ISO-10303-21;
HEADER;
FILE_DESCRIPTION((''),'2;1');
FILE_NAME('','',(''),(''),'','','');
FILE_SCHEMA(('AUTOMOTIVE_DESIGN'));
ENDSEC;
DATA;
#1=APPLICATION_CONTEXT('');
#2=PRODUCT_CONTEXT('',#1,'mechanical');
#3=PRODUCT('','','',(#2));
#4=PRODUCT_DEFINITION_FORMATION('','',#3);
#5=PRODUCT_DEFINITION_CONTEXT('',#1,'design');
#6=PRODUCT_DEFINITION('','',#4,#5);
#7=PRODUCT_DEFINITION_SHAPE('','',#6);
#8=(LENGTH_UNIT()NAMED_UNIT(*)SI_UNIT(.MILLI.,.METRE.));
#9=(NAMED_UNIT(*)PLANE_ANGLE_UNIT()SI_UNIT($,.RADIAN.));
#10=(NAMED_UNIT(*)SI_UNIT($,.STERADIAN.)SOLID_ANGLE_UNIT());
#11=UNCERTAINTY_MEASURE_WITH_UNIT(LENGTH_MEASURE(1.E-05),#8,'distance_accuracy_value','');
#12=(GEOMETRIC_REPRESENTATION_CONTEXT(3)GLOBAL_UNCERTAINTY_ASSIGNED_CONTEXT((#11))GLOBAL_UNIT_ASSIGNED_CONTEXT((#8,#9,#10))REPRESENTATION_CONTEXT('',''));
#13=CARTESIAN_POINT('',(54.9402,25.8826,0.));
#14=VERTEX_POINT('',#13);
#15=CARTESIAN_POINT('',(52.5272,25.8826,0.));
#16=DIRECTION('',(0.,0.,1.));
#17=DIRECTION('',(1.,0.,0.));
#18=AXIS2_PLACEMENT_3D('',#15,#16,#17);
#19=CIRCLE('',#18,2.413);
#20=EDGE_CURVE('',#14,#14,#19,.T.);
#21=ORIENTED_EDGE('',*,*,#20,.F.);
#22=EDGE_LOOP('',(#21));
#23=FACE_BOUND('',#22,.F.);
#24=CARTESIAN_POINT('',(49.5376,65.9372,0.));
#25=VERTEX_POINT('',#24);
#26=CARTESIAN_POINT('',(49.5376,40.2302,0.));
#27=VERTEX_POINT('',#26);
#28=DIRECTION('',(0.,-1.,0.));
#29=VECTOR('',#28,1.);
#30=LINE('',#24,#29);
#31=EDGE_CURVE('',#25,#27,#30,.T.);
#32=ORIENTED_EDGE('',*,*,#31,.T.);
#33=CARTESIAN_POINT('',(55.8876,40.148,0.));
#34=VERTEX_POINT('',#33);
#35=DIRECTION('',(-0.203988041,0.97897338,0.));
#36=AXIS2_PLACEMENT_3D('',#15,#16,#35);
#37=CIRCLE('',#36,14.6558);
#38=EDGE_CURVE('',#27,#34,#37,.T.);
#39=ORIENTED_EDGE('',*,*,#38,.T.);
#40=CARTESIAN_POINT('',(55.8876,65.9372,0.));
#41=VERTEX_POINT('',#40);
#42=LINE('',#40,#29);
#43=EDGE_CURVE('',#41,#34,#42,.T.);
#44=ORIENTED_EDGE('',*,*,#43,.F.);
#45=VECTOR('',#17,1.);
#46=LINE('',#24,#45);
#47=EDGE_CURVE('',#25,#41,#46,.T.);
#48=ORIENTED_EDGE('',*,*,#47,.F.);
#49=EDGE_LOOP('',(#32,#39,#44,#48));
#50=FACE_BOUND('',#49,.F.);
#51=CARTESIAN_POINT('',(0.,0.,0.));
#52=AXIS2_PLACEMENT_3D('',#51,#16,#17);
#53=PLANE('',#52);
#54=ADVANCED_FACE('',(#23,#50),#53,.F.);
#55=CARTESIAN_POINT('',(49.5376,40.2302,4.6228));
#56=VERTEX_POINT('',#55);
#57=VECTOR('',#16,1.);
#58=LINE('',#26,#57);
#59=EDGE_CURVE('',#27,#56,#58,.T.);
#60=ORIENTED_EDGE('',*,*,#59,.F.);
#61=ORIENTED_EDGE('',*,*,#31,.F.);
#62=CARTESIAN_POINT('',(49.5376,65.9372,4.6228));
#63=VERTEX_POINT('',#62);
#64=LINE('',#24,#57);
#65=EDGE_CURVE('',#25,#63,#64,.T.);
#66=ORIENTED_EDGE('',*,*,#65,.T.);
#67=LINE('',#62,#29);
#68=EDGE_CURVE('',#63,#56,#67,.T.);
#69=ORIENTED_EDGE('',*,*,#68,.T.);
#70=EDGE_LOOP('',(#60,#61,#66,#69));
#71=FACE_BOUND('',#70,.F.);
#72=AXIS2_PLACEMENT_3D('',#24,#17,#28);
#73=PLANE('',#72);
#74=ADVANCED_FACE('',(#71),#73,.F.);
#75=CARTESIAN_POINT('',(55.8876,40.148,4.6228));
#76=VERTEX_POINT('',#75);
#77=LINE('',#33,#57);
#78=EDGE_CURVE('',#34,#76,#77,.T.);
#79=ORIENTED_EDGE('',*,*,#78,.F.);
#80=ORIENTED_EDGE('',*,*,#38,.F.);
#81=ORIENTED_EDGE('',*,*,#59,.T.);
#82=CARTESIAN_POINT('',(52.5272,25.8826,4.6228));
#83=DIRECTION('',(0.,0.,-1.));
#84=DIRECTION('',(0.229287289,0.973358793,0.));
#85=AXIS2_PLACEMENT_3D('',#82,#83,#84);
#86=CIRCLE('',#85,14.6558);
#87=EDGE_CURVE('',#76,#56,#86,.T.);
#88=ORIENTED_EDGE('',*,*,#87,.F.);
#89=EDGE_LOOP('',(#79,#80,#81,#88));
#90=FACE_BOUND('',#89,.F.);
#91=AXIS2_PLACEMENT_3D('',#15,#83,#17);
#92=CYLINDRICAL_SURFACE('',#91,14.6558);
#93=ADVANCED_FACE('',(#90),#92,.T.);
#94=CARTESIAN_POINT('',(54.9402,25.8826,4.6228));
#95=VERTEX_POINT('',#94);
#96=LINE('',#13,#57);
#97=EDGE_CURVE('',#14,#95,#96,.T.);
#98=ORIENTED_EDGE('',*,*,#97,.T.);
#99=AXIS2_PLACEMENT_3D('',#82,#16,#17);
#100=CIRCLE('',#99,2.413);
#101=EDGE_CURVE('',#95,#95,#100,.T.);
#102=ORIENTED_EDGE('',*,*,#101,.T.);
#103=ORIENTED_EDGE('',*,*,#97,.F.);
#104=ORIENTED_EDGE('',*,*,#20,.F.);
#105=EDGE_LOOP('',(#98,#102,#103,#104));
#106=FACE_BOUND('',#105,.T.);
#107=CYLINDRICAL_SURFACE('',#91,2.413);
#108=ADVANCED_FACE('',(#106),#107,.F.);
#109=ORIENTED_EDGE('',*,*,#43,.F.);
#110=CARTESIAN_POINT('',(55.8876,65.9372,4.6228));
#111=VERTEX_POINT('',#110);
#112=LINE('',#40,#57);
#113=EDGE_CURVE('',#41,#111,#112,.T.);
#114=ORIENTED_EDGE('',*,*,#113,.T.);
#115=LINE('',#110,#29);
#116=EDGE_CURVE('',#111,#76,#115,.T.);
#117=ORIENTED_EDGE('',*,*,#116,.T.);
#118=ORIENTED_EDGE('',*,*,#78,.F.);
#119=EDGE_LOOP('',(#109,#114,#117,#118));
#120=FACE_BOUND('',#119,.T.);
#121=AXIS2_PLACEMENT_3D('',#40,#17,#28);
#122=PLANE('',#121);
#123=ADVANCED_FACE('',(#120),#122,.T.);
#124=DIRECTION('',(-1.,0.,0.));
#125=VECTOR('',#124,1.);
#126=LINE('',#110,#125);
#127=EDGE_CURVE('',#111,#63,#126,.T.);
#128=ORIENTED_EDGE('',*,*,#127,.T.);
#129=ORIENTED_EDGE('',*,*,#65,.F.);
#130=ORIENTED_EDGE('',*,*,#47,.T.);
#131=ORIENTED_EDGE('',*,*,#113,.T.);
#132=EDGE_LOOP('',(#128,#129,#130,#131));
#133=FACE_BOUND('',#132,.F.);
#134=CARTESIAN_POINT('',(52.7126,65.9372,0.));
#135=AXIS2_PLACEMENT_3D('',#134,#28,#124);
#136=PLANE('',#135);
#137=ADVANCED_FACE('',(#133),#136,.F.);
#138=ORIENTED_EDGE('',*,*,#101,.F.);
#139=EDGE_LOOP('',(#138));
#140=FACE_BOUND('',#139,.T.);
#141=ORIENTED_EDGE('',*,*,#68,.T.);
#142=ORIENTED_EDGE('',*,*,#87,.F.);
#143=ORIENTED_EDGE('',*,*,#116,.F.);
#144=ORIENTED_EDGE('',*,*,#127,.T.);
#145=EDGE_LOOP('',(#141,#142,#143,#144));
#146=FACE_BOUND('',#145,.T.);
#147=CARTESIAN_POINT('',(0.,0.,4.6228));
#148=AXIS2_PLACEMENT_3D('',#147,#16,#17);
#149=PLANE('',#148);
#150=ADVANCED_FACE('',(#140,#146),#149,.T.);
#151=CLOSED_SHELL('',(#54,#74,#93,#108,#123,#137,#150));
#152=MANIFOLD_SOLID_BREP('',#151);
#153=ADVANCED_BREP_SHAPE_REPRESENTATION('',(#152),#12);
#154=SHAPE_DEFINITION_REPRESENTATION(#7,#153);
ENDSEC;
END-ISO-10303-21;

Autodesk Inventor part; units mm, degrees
ref_plane "YZ Plane" through (0, 0, 0) normal (1, 0, 0) x (0, 1, 0)
ref_plane "XZ Plane" through (0, 0, 0) normal (0, 1, 0) x (-1, 0, 0)
ref_plane "Work Plane1" through (0, 0, 0) normal (0, 0, 1) x (1, 0, 0)
sketch "Sketch1" plane through (0, 0, 0) normal (0, 0, 1) x (1, 0, 0)
  circle A0 centre (52.5272, 25.8826) radius 2.413 projected
  circle A1 centre (52.5272, 25.8826) radius 0.8255 projected
  circle A2 centre (52.5272, 25.8826) radius 14.6558
  circle A3 centre (23.2156, 25.8826) radius 2.413 projected
  line L0 (52.7126, 40.5372) -> (52.7126, 65.9372)
  line L1 (52.7126, 40.5372) -> (78.1126, 40.5372) construction
  line L2 (52.7126, 65.9372) -> (55.8876, 65.9372)
  line L3 (55.8876, 65.9372) -> (55.8876, 40.148)
  line L4 (52.7126, 65.9372) -> (49.5376, 65.9372)
  line L5 (49.5376, 65.9372) -> (49.5376, 40.2302)
  point P0 (0, 0)
  dimension "d0" = 29.3116
  dimension "d2" = 25.4
  dimension "d3" = 90
  dimension "d4" = 3.175
  dimension "d5" = 0
  dimension "d6" = 3.175
  dimension "d7" = 14.6546
ref_plane "Work Plane2" through (20.8026, 23.4696, 4.6228) normal (0, 0, 1) x (1, 0, 0)
extrude "Extrusion1" add sketch "Sketch1" along normal up to surface (4.6228 mm away) contours A2 | A2 L0 L2 L3 | L5 L4 L0 A2
properties part number "Driver"
